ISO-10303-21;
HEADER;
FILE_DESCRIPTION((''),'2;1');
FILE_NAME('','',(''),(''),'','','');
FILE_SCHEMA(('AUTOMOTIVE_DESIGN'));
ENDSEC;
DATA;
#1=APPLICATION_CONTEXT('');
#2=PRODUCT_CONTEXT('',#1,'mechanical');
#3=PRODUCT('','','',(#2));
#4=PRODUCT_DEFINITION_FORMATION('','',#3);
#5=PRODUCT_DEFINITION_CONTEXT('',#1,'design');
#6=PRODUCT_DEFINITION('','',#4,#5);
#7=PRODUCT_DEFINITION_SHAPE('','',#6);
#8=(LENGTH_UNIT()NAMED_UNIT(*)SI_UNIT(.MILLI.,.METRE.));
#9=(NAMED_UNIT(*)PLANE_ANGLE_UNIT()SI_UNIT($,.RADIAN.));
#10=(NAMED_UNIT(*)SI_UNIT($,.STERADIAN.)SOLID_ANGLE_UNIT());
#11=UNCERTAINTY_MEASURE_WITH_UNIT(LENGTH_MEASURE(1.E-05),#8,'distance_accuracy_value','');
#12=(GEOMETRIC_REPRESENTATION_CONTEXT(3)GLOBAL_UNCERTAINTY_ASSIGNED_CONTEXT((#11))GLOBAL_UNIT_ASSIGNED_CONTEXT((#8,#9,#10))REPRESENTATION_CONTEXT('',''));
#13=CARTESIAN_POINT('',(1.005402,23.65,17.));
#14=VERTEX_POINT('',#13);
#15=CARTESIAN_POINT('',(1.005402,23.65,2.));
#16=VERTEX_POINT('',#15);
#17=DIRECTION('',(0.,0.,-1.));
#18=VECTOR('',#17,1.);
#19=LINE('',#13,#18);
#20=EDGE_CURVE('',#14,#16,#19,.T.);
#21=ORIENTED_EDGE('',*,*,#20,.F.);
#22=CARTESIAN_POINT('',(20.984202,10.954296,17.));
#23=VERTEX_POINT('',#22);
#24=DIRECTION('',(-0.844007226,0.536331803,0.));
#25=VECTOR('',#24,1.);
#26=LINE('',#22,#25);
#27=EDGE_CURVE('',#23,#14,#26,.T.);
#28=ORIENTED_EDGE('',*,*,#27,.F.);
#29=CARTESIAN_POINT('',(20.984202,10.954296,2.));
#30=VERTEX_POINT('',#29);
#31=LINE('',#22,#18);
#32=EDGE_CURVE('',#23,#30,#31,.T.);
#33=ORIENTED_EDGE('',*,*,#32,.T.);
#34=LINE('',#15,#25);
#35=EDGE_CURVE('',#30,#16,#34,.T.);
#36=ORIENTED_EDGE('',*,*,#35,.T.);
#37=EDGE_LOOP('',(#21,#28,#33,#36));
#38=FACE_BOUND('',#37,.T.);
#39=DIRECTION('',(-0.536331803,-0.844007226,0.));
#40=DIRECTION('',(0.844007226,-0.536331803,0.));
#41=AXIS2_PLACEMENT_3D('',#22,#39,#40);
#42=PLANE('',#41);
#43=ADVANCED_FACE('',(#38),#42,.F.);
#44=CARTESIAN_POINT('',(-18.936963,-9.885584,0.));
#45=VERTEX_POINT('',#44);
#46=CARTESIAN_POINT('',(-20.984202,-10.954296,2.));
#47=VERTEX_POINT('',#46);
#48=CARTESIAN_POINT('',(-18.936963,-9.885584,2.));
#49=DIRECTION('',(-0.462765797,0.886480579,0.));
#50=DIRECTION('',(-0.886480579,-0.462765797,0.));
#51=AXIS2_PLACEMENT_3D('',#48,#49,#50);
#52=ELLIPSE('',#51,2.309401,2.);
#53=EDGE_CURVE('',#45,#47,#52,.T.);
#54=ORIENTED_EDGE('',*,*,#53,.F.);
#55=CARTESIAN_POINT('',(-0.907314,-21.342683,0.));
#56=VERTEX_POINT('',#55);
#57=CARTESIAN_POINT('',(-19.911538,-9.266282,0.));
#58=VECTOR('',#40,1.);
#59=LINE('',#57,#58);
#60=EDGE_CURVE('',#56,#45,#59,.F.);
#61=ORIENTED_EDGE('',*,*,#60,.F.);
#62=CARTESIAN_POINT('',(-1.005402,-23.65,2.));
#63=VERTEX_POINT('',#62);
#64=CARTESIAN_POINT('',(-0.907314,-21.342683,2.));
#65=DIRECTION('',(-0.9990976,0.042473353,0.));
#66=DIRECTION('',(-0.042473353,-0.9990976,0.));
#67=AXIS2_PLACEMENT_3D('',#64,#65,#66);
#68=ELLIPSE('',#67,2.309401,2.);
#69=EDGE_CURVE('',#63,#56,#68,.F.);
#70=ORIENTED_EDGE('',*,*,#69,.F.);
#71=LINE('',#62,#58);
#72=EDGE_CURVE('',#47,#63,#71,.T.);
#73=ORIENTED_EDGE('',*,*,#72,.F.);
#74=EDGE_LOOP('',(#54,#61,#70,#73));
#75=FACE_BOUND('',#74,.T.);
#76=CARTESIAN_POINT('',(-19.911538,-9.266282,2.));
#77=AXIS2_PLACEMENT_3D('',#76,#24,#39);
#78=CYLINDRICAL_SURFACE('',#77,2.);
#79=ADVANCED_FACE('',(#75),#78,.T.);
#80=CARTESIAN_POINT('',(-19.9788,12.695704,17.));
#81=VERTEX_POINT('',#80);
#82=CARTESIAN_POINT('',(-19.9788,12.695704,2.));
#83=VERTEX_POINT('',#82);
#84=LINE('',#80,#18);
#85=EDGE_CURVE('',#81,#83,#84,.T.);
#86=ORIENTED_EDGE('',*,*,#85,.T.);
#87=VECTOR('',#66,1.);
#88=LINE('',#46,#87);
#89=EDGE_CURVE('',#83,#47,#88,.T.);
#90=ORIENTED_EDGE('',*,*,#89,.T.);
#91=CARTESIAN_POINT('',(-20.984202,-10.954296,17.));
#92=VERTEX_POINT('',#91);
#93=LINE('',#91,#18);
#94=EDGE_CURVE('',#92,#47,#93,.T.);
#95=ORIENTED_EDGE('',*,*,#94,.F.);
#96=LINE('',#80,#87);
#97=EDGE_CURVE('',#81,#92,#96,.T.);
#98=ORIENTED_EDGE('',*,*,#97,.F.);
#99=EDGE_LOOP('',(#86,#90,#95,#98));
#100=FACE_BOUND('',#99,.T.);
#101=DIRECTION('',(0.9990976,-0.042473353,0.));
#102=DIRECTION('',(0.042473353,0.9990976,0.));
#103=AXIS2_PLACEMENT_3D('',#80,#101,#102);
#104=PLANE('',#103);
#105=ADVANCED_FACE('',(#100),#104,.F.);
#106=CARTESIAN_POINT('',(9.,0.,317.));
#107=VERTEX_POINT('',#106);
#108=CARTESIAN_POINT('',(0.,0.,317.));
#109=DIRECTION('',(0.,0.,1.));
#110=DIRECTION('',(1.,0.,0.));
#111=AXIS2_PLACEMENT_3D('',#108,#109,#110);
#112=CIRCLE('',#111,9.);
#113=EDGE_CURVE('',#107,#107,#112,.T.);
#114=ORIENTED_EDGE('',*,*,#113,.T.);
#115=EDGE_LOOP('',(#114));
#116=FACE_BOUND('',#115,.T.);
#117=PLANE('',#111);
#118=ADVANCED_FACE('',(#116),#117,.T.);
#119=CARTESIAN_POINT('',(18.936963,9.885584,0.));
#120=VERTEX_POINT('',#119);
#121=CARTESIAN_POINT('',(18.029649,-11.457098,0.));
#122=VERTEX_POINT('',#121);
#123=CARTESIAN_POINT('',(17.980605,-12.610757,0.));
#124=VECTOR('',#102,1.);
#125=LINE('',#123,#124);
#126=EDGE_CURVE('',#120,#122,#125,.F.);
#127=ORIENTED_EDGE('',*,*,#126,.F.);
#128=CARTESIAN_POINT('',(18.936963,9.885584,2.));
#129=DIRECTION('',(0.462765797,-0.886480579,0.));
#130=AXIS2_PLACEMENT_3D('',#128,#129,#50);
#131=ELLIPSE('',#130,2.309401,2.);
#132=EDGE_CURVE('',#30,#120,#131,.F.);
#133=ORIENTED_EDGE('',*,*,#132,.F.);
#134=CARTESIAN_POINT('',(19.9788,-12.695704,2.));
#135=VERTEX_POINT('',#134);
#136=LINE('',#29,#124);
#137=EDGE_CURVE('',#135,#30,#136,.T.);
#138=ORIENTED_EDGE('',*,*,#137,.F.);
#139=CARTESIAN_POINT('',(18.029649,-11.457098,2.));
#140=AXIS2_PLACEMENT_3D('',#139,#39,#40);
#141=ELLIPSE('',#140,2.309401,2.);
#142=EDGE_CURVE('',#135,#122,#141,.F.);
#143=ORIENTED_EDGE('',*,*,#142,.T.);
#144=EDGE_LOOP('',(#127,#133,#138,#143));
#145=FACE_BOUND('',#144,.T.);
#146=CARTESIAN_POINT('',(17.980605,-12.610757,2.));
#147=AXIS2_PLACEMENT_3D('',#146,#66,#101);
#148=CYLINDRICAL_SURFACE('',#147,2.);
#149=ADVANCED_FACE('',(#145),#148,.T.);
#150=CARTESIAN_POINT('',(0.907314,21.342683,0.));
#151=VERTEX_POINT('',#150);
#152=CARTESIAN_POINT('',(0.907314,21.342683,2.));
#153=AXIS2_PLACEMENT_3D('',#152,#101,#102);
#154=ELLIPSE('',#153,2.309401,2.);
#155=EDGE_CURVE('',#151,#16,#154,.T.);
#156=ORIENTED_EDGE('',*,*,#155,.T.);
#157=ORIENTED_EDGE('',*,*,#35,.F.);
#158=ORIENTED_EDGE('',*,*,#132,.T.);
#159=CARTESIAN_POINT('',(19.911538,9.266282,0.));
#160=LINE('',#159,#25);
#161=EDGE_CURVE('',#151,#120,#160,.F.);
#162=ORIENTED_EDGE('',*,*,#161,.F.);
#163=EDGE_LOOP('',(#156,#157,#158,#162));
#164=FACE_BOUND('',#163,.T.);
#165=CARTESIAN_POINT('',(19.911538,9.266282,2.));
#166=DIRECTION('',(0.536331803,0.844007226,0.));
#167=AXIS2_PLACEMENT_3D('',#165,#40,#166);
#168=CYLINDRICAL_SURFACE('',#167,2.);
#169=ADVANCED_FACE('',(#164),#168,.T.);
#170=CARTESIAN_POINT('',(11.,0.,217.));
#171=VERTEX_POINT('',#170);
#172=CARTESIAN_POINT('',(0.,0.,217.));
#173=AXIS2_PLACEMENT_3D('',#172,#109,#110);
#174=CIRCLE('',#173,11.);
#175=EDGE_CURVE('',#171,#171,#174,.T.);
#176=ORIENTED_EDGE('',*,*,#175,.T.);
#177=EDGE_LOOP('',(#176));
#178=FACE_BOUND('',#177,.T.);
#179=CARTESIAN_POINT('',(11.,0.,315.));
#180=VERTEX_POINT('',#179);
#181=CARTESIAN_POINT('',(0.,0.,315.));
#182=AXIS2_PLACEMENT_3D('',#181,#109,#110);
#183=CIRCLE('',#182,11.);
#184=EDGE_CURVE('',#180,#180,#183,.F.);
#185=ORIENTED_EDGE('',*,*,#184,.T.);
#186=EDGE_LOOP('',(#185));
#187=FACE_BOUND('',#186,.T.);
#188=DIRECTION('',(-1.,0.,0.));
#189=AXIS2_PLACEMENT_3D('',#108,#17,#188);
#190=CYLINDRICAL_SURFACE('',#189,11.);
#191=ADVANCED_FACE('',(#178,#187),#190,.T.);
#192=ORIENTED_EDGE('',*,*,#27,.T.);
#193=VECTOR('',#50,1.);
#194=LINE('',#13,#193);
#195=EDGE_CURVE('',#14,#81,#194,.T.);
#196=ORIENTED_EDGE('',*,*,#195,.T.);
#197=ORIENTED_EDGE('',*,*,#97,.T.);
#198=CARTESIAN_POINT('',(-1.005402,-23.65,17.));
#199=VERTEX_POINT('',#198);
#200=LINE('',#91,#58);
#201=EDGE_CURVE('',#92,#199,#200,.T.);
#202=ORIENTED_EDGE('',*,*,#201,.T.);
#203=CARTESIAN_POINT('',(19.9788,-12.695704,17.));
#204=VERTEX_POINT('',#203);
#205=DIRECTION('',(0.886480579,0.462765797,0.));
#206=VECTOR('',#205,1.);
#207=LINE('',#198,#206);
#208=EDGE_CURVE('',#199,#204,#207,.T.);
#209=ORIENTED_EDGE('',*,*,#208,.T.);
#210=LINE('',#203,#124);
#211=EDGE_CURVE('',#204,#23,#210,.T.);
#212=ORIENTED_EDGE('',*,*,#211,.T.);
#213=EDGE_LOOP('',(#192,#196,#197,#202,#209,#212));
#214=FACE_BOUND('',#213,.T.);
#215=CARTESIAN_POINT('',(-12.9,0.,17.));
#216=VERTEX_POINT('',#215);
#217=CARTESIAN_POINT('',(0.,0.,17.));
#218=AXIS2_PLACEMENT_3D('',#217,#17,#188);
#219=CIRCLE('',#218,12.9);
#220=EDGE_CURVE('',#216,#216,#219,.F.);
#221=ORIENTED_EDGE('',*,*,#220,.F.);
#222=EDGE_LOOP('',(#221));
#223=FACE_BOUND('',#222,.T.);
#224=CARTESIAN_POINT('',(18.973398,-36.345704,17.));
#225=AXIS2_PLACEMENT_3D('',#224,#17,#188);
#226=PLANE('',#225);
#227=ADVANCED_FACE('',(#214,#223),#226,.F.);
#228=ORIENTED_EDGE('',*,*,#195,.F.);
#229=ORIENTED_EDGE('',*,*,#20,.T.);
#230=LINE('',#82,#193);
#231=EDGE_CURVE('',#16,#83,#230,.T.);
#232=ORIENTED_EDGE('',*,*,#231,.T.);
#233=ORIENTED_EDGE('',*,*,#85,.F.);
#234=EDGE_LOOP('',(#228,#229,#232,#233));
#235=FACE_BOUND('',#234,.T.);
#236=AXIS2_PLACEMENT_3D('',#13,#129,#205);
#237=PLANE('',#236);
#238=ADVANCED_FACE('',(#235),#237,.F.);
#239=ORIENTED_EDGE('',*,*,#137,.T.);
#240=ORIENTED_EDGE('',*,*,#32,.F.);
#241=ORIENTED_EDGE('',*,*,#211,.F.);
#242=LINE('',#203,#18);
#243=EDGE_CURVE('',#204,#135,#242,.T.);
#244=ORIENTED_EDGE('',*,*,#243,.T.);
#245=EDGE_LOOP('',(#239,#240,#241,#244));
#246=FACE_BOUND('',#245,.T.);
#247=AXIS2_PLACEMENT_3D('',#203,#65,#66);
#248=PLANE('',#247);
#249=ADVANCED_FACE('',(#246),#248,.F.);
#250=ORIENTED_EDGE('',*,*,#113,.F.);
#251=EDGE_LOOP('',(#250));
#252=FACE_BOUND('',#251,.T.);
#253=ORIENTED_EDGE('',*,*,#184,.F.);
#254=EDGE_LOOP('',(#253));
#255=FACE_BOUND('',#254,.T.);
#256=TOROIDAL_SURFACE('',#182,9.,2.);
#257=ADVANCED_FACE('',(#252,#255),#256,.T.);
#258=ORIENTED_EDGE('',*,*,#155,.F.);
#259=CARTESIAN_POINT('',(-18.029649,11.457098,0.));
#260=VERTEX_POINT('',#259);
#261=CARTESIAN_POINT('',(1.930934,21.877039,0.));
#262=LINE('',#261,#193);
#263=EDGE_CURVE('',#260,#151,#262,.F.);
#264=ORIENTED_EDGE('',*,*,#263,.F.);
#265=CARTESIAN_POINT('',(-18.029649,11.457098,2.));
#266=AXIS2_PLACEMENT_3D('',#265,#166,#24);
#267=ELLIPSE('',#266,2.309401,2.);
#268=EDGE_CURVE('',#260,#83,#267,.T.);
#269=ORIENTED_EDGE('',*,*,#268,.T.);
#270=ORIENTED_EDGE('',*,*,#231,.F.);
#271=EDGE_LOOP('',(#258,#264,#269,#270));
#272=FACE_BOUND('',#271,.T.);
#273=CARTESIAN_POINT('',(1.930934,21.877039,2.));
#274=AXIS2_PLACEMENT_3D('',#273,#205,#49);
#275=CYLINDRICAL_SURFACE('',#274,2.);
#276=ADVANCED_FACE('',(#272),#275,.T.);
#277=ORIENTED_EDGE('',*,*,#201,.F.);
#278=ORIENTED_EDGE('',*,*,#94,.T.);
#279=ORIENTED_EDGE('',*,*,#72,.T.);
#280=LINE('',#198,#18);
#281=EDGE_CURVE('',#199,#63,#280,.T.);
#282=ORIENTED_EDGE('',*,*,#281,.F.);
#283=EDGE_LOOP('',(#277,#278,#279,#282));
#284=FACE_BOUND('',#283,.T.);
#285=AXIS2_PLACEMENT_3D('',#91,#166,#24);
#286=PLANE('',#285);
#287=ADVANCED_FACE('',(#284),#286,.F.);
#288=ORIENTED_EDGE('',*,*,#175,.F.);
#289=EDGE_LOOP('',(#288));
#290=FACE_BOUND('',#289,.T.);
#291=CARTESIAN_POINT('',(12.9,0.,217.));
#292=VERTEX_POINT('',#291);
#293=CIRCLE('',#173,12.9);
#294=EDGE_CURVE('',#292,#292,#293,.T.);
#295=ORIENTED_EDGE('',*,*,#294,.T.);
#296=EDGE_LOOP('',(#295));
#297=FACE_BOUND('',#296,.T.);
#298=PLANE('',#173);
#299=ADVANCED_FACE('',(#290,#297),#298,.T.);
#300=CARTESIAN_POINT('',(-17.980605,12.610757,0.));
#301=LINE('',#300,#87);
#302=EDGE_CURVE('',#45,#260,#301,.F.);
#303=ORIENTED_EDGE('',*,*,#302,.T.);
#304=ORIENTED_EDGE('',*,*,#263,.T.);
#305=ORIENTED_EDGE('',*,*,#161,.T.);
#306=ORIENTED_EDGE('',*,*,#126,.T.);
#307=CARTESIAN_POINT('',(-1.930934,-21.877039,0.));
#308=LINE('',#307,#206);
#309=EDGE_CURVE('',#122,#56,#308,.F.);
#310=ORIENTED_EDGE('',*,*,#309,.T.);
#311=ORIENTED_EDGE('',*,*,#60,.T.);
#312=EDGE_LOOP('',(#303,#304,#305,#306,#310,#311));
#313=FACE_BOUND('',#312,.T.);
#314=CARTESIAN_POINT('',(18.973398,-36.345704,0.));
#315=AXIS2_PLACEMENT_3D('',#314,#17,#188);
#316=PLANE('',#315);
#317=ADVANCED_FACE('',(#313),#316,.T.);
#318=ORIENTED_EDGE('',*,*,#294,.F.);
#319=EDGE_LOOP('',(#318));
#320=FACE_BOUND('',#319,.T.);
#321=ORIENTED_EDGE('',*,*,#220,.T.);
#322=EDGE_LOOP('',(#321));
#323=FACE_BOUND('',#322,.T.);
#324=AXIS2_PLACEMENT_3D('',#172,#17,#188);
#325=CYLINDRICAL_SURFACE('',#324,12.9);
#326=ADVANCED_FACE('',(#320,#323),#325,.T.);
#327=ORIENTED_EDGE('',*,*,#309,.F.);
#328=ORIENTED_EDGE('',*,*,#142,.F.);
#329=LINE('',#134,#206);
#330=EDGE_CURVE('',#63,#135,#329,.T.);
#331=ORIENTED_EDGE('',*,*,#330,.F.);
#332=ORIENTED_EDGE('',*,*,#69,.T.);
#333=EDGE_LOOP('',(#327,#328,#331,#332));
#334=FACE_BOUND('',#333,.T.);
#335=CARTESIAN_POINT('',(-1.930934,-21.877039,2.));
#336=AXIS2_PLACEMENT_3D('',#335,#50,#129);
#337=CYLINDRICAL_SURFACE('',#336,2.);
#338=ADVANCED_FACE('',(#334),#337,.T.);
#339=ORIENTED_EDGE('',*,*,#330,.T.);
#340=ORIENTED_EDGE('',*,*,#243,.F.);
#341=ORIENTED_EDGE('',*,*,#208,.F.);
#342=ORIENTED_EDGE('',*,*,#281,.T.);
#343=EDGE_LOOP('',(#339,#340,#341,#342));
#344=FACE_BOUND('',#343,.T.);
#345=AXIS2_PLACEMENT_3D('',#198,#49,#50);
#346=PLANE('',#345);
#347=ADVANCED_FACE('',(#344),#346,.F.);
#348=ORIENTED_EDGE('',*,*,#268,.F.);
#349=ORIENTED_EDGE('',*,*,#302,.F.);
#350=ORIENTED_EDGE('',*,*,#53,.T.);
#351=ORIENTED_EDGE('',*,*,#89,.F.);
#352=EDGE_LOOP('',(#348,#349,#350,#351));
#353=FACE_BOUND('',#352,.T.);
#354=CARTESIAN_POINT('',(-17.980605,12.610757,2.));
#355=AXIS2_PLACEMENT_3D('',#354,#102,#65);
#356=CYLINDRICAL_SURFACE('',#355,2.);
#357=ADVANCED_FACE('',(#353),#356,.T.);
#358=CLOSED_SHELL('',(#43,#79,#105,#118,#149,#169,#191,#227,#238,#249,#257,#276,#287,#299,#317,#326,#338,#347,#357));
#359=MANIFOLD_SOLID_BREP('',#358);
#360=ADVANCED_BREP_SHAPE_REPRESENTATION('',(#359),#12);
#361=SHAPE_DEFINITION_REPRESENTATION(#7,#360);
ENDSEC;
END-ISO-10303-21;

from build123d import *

# Parameters (mm, degrees)
EXTRUDE_275_DEPTH = 17
SKETCH_2_R        = 12.9
EXTRUDE_1_DEPTH   = 200
FILLET_3_R        = 2
SKETCH_3_R        = 11
EXTRUDE_2_DEPTH   = 100
FILLET_4_R        = 2


with BuildPart() as part:
    # 草图1 → Extrude 275 (new body)
    with BuildSketch(Plane.XY):
        Polygon((20.984201837, 10.954296262), (1.005402075, 23.65), (-19.978799762, 12.695703738), (-20.984201837, -10.954296262), (-1.005402075, -23.65), (19.978799762, -12.695703738), align=None)
    extrude(amount=EXTRUDE_275_DEPTH)

    # 草图2 → 凸台-拉伸1 (add)
    with BuildSketch(Plane.XY.offset(17)):
        with Locations(Location((0, 0, 0), (0, 0, 180))):
            Circle(SKETCH_2_R)
    extrude(amount=EXTRUDE_1_DEPTH)

    # 圆角3
    fillet_3_edges = [part.edges().sort_by_distance(p)[0] for p in [
        (9.486698843, -18.172851869, 0),
        (-10.994801956, -17.302148131, 0),
        (-20.4815008, 0.870703738, 0),
        (-9.486698843, 18.172851869, 0),
        (10.994801956, 17.302148131, 0),
        (20.4815008, -0.870703738, 0),
    ]]
    fillet(fillet_3_edges, radius=FILLET_3_R)

    # 草图3 → 凸台-拉伸2 (add)
    with BuildSketch(Plane.XY.offset(217)):
        Circle(SKETCH_3_R)
    extrude(amount=EXTRUDE_2_DEPTH)

    # 圆角4
    fillet_4_edges = [part.edges().sort_by_distance(p)[0] for p in [
        (-11, 0, 317),
    ]]
    fillet(fillet_4_edges, radius=FILLET_4_R)


solid = part.part
